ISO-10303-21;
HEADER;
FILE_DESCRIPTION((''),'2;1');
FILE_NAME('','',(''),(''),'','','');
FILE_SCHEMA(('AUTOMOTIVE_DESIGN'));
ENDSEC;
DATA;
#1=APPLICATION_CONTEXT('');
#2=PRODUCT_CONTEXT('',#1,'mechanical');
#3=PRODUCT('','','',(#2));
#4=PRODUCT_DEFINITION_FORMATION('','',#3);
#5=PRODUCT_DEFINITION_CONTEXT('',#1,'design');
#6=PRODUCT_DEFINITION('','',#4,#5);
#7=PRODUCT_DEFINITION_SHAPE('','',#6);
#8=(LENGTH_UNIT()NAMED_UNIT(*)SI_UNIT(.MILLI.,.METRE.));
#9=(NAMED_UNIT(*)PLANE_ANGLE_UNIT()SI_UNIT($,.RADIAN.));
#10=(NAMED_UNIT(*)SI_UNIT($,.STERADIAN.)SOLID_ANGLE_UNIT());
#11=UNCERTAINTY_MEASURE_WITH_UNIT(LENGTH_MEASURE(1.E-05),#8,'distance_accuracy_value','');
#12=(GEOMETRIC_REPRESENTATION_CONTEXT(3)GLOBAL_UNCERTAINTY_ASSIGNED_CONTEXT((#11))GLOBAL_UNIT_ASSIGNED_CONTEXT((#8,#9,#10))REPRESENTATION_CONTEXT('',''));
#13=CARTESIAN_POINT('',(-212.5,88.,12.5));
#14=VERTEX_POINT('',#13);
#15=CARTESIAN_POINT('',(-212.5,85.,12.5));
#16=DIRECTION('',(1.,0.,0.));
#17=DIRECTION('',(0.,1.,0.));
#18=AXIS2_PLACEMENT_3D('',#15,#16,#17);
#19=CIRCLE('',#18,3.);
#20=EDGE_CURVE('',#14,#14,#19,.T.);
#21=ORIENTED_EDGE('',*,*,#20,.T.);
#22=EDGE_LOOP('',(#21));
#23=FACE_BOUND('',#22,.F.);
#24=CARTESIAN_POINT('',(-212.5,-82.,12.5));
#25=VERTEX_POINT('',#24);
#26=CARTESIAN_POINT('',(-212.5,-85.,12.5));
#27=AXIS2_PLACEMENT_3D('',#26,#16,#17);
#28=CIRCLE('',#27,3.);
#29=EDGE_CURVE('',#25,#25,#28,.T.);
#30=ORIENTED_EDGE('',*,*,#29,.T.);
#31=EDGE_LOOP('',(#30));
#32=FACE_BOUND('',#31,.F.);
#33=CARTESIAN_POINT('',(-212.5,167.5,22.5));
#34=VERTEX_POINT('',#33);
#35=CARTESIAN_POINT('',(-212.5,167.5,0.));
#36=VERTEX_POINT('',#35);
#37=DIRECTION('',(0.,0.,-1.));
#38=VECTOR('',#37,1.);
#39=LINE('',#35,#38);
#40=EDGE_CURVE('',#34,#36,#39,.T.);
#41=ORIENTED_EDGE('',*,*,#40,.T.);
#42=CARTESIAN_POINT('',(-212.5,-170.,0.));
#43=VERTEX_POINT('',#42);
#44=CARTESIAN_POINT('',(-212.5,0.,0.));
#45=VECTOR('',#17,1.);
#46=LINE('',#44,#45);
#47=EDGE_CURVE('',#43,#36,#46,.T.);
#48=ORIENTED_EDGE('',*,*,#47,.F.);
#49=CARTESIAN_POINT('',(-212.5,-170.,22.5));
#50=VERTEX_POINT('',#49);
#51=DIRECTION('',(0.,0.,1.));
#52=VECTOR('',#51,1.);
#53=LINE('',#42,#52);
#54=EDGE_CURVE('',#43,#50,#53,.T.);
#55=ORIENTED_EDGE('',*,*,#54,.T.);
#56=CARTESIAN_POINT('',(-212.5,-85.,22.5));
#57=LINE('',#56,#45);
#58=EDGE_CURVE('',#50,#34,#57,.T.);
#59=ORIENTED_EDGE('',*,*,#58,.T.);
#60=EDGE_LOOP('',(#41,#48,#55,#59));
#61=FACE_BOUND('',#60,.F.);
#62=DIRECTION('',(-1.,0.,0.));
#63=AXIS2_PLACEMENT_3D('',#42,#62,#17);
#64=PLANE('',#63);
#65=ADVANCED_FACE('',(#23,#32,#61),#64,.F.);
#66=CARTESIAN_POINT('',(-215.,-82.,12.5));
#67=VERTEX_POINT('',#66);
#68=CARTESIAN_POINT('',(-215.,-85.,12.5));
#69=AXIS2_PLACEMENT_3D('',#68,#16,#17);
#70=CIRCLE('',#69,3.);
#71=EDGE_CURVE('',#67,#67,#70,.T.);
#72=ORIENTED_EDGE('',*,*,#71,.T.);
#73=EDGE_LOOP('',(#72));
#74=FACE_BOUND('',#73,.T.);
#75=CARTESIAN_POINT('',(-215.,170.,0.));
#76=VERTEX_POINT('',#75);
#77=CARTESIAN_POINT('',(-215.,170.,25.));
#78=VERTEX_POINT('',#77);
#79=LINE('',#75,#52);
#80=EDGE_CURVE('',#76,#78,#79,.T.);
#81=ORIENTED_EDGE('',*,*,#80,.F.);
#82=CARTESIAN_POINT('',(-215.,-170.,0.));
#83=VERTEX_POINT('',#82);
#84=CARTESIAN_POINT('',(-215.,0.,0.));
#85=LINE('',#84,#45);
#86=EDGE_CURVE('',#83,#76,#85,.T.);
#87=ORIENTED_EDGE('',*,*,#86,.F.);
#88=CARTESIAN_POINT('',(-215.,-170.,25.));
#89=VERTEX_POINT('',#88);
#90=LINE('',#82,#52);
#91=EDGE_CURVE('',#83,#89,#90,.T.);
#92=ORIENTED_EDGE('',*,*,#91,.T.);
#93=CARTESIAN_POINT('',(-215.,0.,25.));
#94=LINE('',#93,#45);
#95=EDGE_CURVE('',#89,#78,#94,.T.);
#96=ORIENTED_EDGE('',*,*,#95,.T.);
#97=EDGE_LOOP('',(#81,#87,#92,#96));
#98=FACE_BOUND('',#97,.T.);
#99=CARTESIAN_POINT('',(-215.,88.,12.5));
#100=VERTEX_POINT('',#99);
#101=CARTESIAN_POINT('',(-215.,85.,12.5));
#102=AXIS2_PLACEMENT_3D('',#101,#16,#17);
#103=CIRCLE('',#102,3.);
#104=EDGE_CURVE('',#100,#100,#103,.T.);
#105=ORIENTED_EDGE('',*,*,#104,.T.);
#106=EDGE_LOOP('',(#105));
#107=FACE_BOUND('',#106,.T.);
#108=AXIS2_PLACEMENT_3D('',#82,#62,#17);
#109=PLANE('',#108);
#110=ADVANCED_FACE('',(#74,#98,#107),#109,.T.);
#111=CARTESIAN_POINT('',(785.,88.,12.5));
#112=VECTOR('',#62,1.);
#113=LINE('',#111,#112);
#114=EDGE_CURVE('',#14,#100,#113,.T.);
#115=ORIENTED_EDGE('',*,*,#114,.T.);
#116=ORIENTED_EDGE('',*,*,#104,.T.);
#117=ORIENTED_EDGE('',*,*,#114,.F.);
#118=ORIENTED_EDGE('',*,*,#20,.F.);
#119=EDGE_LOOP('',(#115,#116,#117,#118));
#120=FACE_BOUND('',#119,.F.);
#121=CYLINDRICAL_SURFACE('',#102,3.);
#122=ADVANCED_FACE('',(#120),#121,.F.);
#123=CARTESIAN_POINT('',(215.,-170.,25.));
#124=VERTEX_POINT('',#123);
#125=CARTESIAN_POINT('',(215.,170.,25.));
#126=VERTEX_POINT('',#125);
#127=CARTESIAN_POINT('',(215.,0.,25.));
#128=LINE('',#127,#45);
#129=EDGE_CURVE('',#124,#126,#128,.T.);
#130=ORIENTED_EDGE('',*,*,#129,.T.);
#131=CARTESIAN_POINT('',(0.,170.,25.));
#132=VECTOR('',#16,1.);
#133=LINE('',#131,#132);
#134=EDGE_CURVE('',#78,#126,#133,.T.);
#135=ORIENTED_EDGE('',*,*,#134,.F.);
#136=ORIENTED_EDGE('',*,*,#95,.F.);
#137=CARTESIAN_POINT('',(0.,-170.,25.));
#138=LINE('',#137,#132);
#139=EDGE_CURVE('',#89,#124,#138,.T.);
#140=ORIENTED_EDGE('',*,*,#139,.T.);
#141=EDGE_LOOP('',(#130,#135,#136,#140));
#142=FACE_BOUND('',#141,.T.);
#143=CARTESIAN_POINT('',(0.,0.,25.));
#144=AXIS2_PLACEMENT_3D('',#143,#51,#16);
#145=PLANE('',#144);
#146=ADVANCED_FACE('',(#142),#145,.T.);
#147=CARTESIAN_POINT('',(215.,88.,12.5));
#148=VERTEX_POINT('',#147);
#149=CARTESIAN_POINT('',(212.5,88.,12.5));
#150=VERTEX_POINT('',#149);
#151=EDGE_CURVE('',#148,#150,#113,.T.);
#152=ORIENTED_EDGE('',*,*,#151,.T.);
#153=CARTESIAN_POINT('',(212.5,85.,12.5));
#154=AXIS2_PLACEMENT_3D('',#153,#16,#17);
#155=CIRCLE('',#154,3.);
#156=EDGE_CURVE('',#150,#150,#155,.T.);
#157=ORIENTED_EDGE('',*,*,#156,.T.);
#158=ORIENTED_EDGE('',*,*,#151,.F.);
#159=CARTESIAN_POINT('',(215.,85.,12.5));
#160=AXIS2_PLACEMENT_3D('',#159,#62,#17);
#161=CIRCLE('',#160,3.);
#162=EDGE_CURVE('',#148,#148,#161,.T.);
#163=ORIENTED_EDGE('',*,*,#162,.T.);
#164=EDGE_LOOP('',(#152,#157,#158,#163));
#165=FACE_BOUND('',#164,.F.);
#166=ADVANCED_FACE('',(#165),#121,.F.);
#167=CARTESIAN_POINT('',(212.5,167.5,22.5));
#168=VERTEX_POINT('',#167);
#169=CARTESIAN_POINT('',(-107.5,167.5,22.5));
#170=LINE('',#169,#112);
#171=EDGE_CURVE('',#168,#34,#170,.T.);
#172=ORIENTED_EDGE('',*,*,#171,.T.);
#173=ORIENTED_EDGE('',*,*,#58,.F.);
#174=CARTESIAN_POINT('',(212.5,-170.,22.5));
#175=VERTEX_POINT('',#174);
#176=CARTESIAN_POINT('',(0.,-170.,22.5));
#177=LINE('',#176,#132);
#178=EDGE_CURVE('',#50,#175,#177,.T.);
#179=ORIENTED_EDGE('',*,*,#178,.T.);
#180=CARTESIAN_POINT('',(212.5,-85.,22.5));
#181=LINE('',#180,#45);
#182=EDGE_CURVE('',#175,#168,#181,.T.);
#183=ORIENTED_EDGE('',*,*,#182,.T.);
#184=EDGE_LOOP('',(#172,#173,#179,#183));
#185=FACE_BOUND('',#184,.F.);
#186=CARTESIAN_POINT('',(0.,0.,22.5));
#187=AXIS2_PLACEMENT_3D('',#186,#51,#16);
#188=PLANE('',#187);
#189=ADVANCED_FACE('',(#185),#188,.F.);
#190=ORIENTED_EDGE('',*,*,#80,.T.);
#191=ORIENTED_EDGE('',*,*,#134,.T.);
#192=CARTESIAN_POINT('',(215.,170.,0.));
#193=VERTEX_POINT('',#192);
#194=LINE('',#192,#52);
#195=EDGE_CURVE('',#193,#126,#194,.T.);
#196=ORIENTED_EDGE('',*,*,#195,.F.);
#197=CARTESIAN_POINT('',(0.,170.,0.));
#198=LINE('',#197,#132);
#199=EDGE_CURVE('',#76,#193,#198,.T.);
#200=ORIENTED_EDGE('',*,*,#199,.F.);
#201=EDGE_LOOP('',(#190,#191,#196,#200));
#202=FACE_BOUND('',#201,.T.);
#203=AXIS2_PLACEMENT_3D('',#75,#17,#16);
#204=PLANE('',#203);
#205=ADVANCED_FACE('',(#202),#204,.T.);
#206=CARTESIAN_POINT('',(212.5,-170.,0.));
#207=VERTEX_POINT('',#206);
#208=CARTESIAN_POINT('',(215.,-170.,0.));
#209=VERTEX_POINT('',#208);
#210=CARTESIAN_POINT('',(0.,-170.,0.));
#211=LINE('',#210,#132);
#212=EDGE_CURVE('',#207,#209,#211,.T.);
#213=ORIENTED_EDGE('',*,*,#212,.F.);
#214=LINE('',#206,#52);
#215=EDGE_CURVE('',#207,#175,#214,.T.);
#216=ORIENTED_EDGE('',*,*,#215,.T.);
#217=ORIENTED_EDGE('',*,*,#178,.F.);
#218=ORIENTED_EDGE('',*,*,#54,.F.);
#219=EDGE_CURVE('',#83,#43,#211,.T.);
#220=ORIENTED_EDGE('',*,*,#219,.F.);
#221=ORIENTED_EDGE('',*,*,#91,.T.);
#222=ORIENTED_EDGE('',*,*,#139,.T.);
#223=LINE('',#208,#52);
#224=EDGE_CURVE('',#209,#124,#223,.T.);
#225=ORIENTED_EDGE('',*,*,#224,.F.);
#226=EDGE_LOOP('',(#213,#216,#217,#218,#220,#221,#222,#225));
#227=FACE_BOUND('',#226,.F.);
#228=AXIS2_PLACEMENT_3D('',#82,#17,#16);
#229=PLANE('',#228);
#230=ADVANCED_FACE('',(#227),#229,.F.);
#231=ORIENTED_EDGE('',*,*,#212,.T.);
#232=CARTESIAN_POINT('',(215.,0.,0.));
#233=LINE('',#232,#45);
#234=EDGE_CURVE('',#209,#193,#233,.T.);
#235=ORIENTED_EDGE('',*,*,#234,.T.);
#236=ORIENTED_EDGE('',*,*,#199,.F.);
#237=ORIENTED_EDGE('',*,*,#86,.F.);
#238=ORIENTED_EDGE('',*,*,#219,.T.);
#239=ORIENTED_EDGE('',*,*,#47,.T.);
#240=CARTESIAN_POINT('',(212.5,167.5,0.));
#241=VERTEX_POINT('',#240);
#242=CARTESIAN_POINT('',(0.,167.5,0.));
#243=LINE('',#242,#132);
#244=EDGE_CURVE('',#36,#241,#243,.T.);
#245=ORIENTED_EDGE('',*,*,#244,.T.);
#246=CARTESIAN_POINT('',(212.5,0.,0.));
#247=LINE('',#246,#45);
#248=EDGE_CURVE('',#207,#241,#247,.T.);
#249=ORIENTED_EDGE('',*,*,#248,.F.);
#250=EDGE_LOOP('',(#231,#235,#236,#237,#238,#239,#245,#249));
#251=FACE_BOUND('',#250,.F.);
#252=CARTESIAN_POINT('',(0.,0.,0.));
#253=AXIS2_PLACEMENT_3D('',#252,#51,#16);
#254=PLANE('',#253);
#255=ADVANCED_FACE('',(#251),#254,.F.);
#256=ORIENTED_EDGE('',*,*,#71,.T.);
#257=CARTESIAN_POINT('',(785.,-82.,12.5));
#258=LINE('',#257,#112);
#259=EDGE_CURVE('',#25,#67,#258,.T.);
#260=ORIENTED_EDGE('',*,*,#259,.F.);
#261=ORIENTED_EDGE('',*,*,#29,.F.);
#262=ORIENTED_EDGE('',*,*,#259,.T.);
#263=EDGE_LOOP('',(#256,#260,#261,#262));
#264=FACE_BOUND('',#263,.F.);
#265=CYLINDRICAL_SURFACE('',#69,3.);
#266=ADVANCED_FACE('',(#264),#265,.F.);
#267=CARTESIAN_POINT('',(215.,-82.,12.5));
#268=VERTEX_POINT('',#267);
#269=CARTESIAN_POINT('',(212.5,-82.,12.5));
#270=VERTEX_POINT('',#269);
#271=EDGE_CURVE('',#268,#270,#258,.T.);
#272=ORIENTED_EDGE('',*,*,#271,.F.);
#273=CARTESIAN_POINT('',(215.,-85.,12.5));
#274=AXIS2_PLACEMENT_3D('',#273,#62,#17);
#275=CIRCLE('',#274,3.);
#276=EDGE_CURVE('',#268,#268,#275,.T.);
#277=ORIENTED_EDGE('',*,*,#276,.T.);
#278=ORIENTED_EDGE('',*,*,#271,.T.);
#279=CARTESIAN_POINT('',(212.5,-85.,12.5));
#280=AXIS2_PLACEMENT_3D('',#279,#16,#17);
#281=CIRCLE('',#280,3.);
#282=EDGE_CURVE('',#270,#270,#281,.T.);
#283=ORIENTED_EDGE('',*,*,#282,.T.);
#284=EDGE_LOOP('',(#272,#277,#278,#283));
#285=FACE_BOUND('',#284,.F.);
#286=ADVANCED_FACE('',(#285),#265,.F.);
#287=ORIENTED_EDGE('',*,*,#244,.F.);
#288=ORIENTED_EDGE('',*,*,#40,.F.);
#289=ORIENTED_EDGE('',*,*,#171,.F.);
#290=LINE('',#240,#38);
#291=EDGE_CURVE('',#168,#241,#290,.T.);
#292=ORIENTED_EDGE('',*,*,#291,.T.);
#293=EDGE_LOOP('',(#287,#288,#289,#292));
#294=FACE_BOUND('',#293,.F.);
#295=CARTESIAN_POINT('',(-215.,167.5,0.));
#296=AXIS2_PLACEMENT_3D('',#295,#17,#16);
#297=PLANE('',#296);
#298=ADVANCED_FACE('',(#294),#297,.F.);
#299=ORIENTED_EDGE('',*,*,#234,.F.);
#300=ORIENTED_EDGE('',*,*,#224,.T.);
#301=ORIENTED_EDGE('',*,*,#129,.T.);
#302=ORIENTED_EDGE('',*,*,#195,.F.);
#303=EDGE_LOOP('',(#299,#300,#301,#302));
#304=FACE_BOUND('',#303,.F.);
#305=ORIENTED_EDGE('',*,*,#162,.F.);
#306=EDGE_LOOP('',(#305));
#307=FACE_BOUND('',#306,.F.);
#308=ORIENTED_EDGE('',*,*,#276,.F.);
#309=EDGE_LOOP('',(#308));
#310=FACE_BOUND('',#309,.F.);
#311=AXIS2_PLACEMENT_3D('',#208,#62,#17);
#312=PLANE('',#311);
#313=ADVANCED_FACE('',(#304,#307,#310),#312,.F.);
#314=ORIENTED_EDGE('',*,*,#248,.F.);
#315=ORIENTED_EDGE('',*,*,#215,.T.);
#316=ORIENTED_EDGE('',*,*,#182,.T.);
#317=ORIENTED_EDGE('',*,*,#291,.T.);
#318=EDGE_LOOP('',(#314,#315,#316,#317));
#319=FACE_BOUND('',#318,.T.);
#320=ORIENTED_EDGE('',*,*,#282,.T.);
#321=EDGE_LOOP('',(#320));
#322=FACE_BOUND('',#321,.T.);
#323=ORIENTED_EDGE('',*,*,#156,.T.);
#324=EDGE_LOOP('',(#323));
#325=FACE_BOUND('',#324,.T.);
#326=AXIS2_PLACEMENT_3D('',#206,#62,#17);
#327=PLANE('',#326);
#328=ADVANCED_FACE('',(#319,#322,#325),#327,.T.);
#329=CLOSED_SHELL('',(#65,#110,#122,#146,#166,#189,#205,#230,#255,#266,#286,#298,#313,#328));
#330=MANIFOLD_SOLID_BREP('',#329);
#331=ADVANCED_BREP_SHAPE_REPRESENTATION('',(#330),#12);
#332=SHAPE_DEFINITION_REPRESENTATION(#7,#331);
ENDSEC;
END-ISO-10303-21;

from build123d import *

# Parameters (mm, degrees)
F0_W           = 430
F0_H           = 340
F1_DEPTH       = 25
F2_T           = -2.5
F4_D           = 6
F4_DEPTH       = 1000
F4_CBORE_D     = 6
F4_CBORE_DEPTH = 5


with BuildPart() as f1:
    # F0 (on Top) → F1 (new body)
    with BuildSketch(Plane.XY):
        Rectangle(F0_W, F0_H)
    extrude(amount=F1_DEPTH)

    # F2
    f2_openings = [f1.faces().sort_by_distance(p)[0] for p in [
        (0, 0, 0),
        (0, -170, 12.5),
    ]]
    offset(amount=F2_T, openings=f2_openings)

    # F4
    with Locations(Plane(origin=(-215, 0, 0), x_dir=(0, -1, 0), z_dir=(-1, 0, 0))):
        with Locations((-85, 12.5), (85, 12.5)):
            CounterBoreHole(F4_D / 2, F4_CBORE_D / 2, F4_CBORE_DEPTH, depth=F4_DEPTH)


solid = f1.part
